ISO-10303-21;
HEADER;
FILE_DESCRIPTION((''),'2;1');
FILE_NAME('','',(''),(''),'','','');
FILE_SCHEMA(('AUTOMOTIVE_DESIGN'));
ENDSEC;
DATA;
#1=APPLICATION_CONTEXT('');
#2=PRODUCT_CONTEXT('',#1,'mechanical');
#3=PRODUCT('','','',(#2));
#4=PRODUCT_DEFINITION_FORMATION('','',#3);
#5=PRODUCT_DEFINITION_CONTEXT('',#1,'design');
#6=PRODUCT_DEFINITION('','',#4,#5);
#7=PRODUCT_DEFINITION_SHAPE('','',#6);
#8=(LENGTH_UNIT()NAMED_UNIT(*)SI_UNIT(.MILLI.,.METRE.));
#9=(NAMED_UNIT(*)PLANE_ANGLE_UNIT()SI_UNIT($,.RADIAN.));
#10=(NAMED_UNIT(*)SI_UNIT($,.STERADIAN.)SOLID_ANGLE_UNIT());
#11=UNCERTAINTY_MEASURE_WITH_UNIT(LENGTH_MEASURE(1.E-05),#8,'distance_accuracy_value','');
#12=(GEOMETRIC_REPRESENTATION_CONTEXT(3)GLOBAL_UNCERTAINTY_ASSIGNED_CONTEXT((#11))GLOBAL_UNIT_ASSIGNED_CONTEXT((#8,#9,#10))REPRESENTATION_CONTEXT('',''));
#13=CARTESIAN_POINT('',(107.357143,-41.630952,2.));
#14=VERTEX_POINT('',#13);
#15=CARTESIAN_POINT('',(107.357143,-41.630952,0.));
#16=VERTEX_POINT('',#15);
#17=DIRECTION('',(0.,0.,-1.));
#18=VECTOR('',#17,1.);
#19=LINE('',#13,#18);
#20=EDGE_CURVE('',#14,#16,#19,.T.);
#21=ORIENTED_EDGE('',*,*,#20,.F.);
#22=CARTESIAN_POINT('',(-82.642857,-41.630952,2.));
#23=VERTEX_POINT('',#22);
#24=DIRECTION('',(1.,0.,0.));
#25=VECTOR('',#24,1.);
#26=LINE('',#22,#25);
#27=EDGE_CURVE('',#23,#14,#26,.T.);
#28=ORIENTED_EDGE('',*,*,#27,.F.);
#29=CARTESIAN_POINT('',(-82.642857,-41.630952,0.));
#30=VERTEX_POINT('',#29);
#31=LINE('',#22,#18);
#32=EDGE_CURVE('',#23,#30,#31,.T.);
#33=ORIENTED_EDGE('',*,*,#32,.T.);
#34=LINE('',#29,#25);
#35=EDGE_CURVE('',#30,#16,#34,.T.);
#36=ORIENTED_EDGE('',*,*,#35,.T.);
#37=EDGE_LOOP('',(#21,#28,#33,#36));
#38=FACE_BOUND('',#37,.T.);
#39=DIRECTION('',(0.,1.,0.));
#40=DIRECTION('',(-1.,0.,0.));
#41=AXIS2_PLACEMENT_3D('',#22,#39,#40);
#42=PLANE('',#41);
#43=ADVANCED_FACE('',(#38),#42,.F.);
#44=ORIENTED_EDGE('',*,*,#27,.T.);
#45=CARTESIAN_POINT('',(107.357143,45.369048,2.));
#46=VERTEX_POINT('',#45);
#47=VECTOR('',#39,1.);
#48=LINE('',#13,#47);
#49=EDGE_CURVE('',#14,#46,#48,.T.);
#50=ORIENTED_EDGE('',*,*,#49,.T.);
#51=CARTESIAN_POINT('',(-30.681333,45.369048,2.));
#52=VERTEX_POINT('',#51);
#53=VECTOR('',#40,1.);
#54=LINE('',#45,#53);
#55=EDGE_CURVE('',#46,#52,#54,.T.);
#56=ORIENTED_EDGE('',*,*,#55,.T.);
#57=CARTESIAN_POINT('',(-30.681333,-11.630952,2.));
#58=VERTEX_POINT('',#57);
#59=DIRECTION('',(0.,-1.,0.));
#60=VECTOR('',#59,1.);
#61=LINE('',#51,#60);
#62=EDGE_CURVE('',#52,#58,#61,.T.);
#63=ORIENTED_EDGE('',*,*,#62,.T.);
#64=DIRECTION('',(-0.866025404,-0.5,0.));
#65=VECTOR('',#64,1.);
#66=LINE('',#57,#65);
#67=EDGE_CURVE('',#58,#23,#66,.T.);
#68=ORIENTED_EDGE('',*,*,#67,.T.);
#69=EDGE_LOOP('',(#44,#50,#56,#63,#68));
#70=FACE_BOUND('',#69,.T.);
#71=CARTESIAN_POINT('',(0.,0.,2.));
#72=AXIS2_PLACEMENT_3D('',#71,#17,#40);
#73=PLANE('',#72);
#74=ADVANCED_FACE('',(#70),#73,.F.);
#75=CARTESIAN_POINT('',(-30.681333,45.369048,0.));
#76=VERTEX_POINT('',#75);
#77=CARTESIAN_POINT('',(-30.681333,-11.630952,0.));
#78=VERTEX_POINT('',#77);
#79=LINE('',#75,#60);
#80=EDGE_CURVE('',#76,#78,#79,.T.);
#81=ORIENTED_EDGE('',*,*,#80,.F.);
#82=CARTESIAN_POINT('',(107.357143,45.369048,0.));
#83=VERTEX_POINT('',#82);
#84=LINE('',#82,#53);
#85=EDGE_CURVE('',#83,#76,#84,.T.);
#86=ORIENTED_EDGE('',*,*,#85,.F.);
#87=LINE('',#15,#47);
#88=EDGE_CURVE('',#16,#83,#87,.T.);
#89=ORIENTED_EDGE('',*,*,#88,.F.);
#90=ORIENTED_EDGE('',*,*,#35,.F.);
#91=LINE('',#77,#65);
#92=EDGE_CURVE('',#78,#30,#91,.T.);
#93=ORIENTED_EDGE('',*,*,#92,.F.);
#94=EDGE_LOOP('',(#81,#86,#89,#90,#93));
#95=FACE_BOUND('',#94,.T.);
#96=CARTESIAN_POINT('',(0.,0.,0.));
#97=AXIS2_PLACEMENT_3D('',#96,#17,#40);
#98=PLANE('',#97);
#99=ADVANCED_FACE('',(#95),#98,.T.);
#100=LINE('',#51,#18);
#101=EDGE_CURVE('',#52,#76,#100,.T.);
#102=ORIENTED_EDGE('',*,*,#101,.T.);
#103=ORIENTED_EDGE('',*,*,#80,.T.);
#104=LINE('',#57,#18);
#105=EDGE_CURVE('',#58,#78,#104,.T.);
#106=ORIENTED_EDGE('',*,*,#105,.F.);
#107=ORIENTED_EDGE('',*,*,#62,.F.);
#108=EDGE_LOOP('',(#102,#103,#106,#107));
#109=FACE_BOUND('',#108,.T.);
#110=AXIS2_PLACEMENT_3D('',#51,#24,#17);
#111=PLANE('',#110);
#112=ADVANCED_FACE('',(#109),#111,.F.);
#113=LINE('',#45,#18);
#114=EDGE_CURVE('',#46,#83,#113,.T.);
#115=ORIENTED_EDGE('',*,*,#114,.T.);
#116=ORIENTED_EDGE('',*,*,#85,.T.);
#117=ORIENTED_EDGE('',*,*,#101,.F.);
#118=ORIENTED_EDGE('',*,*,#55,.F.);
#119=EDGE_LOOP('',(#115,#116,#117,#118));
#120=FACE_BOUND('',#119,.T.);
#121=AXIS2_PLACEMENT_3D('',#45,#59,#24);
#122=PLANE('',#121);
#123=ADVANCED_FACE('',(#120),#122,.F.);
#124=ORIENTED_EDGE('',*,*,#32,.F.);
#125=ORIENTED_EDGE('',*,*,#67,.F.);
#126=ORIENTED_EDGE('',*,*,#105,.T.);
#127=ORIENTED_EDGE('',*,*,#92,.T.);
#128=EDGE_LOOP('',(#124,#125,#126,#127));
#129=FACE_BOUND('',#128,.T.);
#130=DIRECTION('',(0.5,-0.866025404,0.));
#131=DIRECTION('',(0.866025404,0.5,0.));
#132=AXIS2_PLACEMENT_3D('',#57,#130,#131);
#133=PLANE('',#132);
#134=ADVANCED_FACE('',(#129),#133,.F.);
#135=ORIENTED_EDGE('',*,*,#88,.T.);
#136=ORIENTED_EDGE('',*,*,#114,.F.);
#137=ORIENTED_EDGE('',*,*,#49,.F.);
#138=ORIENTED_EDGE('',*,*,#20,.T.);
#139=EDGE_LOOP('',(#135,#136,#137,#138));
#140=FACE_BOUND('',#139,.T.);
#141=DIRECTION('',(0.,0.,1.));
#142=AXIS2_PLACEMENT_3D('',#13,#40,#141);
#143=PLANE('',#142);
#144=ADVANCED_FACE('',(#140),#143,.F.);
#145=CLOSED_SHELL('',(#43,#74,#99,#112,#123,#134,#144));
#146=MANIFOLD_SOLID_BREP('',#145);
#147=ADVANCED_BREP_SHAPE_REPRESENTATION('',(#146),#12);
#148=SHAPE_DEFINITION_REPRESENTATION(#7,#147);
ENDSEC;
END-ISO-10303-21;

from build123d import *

# Parameters (mm, degrees)
BOSS_EXTRUDE1_DEPTH = 2


with BuildPart() as part:
    # Sketch1 → Boss-Extrude1 (new body)
    with BuildSketch(Plane.XY):
        Polygon((-82.642857143, -41.630952381), (107.357142857, -41.630952381), (107.357142857, 45.369047619), (-30.681332916, 45.369047619), (-30.681332916, -11.630952381), align=None)
    extrude(amount=BOSS_EXTRUDE1_DEPTH)


solid = part.part
